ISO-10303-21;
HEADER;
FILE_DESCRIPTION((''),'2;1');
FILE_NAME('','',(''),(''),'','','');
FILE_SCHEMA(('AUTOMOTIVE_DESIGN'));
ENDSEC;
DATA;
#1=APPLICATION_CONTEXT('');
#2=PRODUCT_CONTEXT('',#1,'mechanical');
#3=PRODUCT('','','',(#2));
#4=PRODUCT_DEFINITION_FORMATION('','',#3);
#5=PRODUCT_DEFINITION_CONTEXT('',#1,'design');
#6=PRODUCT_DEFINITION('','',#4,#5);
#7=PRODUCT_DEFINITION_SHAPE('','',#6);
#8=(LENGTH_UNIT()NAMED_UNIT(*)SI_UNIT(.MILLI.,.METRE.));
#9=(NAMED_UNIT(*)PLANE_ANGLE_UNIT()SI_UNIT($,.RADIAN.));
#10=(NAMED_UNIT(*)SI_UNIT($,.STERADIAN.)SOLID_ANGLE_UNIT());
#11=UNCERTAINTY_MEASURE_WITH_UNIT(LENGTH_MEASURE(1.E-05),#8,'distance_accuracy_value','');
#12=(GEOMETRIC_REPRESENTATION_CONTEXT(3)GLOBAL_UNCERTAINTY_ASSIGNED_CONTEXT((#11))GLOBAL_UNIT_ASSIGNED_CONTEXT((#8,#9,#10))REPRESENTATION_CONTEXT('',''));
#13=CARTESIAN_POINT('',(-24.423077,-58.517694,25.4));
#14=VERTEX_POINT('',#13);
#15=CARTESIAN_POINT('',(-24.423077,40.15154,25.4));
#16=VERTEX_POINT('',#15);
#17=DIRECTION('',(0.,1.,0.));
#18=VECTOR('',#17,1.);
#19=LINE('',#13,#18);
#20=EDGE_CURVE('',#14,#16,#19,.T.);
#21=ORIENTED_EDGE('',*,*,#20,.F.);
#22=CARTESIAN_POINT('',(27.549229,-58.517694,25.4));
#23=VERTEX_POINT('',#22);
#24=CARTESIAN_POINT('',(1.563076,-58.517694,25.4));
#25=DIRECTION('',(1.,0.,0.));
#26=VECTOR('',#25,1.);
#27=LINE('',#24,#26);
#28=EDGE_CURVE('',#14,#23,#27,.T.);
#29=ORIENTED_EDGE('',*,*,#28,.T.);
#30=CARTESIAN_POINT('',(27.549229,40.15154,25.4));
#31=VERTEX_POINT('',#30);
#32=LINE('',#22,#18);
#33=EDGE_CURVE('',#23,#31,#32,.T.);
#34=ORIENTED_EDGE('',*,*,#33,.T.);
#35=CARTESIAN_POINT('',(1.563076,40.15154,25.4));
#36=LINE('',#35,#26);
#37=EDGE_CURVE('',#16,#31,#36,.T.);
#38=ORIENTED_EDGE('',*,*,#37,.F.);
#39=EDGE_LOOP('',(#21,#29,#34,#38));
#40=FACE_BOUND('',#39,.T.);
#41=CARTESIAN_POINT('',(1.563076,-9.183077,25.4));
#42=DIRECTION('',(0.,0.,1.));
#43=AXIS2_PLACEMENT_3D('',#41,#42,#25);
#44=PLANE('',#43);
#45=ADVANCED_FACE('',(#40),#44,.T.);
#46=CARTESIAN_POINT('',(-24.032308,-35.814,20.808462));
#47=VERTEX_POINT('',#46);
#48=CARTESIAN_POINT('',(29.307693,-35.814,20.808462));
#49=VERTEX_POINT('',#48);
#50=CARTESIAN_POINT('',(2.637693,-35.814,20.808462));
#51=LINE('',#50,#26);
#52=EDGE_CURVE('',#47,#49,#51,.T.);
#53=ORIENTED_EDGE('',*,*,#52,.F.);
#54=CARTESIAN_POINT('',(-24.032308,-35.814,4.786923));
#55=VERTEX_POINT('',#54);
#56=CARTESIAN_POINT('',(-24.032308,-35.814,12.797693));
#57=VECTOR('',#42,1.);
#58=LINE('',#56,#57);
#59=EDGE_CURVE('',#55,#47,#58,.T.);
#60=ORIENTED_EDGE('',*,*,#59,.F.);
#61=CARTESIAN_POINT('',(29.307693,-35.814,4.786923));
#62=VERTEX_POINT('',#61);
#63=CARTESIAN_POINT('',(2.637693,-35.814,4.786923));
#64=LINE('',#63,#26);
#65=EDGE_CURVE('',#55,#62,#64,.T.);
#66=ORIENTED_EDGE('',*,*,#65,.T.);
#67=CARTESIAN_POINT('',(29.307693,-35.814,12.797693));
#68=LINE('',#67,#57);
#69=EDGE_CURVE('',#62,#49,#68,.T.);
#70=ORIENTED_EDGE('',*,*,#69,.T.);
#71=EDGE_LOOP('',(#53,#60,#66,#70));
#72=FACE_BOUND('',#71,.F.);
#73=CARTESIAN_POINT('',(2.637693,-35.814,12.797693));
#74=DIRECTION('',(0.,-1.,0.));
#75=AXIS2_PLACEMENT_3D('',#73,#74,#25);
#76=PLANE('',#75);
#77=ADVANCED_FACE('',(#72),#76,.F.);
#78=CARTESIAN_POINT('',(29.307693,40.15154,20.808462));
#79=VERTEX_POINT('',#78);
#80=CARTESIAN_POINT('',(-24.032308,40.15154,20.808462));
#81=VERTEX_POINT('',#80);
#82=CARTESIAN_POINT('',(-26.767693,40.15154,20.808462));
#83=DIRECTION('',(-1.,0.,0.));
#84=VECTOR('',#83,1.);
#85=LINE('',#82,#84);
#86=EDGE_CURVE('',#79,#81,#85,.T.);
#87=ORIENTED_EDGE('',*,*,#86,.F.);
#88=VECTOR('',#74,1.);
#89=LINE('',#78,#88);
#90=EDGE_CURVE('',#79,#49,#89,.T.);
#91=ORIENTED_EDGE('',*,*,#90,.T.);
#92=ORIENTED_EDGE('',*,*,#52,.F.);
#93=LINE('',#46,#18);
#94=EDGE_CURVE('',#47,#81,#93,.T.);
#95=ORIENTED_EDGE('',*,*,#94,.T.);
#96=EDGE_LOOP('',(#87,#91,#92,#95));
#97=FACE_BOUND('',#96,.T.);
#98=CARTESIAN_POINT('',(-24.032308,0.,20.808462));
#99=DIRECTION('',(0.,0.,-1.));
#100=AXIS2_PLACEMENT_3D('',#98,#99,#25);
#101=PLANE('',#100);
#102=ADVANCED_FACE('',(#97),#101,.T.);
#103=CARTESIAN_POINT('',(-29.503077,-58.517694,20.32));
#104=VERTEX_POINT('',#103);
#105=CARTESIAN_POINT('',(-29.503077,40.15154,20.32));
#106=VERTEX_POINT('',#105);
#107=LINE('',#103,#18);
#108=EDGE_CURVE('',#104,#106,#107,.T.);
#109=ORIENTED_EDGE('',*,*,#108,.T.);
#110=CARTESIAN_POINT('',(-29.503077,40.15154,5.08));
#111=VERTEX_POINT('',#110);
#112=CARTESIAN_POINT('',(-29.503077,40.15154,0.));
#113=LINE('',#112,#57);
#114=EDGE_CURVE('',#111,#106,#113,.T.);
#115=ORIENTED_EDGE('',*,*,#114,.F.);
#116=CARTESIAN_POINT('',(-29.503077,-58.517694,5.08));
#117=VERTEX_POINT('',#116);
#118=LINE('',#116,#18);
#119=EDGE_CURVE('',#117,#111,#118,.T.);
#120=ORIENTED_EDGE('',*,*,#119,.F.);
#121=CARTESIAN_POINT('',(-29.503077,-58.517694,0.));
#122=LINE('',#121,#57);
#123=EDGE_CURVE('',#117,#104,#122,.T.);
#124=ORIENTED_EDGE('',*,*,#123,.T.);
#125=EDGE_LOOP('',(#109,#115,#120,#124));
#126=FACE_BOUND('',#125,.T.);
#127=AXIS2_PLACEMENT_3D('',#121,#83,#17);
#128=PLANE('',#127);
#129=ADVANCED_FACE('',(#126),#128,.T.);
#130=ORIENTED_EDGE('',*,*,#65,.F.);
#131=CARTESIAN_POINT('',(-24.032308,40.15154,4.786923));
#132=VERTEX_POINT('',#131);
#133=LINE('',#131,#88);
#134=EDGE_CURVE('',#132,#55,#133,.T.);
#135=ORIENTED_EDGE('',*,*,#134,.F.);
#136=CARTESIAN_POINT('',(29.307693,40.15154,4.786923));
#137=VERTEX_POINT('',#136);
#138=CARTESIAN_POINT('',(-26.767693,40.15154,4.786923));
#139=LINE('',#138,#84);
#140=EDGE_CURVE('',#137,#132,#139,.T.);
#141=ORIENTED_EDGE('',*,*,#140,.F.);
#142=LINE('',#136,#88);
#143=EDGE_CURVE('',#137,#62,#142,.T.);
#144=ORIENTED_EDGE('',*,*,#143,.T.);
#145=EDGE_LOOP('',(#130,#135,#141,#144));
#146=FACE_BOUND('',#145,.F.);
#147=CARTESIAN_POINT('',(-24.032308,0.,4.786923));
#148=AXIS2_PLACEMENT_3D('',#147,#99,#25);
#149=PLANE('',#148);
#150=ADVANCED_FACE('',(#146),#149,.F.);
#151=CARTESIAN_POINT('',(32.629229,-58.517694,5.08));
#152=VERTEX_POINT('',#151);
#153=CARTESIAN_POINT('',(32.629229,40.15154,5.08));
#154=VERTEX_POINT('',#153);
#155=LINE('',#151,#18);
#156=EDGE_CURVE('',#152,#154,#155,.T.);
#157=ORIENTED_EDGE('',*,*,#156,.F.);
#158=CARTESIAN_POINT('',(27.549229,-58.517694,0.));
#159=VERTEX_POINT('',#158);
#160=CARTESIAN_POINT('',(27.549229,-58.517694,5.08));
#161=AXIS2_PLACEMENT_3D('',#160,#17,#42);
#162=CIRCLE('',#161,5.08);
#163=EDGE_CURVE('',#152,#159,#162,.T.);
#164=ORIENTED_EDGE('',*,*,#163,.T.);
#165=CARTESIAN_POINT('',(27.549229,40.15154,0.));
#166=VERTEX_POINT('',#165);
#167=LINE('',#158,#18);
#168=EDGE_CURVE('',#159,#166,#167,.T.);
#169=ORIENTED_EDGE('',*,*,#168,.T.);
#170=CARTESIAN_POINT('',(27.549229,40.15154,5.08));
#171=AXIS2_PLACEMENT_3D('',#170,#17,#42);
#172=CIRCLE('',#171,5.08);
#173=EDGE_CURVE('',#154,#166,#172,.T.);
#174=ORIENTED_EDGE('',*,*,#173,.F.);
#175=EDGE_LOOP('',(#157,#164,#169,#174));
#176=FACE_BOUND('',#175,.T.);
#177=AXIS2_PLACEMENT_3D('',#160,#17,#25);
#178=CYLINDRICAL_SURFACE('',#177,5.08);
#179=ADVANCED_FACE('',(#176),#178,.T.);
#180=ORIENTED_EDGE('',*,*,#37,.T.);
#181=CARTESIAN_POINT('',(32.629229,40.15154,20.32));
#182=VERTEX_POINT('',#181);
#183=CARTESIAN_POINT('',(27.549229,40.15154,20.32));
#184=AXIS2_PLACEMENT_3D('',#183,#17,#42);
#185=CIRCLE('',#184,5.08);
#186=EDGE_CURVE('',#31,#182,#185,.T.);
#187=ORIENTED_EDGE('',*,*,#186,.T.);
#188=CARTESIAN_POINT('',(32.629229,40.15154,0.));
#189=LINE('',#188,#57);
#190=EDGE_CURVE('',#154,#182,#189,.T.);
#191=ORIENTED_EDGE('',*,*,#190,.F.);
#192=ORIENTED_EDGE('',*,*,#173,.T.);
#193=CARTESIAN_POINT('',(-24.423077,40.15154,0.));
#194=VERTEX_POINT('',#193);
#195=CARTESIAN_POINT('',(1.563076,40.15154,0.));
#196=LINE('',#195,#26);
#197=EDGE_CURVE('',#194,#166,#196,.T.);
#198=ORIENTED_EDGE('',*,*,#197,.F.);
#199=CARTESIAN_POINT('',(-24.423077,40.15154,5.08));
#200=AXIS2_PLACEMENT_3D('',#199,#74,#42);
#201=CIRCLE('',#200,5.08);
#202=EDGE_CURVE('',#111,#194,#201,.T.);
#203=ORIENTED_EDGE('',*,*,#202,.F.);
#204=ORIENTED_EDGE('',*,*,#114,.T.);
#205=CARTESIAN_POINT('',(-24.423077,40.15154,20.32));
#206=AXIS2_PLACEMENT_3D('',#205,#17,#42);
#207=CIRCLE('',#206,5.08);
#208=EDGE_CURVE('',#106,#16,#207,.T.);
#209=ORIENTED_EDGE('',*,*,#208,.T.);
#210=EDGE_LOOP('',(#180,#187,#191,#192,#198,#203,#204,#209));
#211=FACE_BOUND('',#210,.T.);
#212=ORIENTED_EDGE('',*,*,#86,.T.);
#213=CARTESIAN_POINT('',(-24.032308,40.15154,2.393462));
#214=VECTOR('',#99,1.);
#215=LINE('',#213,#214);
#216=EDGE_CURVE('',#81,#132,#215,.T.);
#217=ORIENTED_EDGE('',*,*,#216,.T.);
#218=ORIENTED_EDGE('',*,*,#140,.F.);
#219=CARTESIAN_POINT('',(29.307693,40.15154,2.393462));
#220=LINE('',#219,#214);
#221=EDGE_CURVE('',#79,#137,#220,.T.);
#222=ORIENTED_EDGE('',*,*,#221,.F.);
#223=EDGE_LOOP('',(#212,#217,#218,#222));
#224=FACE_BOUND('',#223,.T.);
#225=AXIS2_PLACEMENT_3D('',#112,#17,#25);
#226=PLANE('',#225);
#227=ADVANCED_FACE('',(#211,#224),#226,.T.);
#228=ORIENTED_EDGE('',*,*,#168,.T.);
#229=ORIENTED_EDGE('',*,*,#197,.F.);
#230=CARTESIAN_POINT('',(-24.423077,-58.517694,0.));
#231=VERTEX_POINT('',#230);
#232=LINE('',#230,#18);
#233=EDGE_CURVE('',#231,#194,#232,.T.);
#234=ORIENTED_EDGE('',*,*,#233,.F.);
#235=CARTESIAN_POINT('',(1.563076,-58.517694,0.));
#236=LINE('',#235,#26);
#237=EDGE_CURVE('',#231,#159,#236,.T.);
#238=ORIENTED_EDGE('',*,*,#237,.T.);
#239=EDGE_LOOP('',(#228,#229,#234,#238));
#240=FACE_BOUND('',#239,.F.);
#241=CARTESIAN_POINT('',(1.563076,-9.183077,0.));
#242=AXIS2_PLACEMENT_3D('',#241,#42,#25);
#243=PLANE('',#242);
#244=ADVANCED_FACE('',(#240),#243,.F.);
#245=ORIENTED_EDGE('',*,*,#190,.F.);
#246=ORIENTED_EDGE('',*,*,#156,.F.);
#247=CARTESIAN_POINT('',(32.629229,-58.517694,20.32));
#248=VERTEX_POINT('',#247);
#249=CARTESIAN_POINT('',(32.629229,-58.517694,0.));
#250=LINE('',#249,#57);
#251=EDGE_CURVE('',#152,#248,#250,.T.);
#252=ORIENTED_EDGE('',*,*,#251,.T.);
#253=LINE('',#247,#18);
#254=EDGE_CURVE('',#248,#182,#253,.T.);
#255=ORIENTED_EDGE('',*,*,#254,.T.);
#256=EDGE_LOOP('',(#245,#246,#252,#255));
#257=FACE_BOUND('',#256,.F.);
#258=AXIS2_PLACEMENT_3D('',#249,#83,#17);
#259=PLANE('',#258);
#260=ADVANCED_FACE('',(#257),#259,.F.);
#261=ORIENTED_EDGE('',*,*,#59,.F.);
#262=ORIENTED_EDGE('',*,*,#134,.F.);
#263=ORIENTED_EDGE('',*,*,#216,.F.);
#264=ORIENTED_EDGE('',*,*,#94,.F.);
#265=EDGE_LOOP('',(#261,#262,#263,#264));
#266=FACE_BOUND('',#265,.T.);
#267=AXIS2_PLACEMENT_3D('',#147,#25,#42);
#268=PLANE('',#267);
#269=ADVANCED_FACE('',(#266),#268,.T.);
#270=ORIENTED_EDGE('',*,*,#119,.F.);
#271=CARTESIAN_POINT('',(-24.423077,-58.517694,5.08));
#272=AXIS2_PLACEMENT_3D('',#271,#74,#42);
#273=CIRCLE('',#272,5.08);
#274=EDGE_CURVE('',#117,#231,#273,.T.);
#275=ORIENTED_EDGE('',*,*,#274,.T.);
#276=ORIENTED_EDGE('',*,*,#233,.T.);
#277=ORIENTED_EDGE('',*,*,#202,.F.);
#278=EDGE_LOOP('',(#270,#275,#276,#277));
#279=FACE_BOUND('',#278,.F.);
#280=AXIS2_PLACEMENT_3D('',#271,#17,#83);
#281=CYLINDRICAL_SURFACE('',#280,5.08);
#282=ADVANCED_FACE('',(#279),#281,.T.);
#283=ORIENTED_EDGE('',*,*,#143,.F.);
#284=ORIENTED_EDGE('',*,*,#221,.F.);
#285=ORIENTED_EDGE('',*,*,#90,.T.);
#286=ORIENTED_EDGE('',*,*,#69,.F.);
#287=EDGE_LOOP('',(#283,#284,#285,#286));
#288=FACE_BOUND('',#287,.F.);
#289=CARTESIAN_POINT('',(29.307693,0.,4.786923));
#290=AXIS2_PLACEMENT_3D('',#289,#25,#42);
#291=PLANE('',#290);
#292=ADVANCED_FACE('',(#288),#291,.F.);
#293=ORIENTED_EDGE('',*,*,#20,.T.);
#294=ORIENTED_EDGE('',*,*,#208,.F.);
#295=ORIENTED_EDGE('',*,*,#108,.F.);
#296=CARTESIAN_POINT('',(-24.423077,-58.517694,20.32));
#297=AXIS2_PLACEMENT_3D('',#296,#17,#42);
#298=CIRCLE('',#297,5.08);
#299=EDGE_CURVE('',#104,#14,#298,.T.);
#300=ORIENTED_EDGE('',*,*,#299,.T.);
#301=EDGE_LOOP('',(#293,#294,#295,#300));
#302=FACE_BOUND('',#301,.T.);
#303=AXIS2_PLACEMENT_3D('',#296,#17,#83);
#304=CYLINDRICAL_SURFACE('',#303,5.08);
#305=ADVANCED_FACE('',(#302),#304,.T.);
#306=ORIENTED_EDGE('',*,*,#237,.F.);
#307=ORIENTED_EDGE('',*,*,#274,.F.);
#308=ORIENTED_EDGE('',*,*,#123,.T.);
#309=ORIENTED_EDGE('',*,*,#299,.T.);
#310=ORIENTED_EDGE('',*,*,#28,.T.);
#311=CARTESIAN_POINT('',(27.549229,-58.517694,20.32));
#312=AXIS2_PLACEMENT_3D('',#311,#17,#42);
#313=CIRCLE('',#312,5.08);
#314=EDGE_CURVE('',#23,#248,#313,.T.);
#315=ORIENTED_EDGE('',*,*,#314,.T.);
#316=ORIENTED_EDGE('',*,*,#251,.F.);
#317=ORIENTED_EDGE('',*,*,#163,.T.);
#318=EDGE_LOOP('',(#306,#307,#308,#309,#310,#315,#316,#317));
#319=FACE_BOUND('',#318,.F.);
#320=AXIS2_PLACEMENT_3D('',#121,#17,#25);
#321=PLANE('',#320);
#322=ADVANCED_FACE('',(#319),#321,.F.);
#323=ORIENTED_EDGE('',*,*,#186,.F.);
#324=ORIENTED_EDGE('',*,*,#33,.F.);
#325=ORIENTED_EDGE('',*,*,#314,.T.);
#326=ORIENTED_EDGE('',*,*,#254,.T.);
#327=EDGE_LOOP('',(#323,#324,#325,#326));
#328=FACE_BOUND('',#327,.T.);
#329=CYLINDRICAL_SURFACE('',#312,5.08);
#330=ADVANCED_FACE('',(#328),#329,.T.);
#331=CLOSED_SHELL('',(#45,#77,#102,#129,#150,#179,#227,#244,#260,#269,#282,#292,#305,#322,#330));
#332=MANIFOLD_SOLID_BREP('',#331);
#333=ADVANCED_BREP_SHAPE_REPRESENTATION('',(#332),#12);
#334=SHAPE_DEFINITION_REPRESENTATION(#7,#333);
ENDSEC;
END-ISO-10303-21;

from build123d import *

# Parameters (mm, degrees)
F0_W          = 62.132306397
F0_H          = 98.6692346632
F1_DEPTH      = 25.4
F2_W          = 53.3400010318
F2_H          = 16.0215389915
F3_DEPTH      = 159.004
F3_DEPTH_BACK = 35.814
F4_R          = 5.08


with BuildPart() as f1:
    # F0 (on Top) → F1 (new body)
    with BuildSketch(Plane.XY):
        with Locations((1.5630759299, -9.1830771416)):
            Rectangle(F0_W, F0_H)
    extrude(amount=F1_DEPTH)

    # F2 (on Front) → F3 (cut, two sides)
    with BuildSketch(Plane.XZ) as f3_sk:
        with Locations((2.6376927271, 12.7976925578)):
            Rectangle(F2_W, F2_H)
    extrude(amount=-F3_DEPTH, mode=Mode.SUBTRACT)
    extrude(f3_sk.sketch, amount=F3_DEPTH_BACK, mode=Mode.SUBTRACT)

    # F4
    f4_edges = [f1.edges().sort_by_distance(p)[0] for p in [
        (32.629229, -9.183077, 25.4),
        (-29.503077, -9.183077, 25.4),
        (-29.503077, -9.183077, 0),
        (32.629229, -9.183077, 0),
    ]]
    fillet(f4_edges, radius=F4_R)


solid = f1.part
